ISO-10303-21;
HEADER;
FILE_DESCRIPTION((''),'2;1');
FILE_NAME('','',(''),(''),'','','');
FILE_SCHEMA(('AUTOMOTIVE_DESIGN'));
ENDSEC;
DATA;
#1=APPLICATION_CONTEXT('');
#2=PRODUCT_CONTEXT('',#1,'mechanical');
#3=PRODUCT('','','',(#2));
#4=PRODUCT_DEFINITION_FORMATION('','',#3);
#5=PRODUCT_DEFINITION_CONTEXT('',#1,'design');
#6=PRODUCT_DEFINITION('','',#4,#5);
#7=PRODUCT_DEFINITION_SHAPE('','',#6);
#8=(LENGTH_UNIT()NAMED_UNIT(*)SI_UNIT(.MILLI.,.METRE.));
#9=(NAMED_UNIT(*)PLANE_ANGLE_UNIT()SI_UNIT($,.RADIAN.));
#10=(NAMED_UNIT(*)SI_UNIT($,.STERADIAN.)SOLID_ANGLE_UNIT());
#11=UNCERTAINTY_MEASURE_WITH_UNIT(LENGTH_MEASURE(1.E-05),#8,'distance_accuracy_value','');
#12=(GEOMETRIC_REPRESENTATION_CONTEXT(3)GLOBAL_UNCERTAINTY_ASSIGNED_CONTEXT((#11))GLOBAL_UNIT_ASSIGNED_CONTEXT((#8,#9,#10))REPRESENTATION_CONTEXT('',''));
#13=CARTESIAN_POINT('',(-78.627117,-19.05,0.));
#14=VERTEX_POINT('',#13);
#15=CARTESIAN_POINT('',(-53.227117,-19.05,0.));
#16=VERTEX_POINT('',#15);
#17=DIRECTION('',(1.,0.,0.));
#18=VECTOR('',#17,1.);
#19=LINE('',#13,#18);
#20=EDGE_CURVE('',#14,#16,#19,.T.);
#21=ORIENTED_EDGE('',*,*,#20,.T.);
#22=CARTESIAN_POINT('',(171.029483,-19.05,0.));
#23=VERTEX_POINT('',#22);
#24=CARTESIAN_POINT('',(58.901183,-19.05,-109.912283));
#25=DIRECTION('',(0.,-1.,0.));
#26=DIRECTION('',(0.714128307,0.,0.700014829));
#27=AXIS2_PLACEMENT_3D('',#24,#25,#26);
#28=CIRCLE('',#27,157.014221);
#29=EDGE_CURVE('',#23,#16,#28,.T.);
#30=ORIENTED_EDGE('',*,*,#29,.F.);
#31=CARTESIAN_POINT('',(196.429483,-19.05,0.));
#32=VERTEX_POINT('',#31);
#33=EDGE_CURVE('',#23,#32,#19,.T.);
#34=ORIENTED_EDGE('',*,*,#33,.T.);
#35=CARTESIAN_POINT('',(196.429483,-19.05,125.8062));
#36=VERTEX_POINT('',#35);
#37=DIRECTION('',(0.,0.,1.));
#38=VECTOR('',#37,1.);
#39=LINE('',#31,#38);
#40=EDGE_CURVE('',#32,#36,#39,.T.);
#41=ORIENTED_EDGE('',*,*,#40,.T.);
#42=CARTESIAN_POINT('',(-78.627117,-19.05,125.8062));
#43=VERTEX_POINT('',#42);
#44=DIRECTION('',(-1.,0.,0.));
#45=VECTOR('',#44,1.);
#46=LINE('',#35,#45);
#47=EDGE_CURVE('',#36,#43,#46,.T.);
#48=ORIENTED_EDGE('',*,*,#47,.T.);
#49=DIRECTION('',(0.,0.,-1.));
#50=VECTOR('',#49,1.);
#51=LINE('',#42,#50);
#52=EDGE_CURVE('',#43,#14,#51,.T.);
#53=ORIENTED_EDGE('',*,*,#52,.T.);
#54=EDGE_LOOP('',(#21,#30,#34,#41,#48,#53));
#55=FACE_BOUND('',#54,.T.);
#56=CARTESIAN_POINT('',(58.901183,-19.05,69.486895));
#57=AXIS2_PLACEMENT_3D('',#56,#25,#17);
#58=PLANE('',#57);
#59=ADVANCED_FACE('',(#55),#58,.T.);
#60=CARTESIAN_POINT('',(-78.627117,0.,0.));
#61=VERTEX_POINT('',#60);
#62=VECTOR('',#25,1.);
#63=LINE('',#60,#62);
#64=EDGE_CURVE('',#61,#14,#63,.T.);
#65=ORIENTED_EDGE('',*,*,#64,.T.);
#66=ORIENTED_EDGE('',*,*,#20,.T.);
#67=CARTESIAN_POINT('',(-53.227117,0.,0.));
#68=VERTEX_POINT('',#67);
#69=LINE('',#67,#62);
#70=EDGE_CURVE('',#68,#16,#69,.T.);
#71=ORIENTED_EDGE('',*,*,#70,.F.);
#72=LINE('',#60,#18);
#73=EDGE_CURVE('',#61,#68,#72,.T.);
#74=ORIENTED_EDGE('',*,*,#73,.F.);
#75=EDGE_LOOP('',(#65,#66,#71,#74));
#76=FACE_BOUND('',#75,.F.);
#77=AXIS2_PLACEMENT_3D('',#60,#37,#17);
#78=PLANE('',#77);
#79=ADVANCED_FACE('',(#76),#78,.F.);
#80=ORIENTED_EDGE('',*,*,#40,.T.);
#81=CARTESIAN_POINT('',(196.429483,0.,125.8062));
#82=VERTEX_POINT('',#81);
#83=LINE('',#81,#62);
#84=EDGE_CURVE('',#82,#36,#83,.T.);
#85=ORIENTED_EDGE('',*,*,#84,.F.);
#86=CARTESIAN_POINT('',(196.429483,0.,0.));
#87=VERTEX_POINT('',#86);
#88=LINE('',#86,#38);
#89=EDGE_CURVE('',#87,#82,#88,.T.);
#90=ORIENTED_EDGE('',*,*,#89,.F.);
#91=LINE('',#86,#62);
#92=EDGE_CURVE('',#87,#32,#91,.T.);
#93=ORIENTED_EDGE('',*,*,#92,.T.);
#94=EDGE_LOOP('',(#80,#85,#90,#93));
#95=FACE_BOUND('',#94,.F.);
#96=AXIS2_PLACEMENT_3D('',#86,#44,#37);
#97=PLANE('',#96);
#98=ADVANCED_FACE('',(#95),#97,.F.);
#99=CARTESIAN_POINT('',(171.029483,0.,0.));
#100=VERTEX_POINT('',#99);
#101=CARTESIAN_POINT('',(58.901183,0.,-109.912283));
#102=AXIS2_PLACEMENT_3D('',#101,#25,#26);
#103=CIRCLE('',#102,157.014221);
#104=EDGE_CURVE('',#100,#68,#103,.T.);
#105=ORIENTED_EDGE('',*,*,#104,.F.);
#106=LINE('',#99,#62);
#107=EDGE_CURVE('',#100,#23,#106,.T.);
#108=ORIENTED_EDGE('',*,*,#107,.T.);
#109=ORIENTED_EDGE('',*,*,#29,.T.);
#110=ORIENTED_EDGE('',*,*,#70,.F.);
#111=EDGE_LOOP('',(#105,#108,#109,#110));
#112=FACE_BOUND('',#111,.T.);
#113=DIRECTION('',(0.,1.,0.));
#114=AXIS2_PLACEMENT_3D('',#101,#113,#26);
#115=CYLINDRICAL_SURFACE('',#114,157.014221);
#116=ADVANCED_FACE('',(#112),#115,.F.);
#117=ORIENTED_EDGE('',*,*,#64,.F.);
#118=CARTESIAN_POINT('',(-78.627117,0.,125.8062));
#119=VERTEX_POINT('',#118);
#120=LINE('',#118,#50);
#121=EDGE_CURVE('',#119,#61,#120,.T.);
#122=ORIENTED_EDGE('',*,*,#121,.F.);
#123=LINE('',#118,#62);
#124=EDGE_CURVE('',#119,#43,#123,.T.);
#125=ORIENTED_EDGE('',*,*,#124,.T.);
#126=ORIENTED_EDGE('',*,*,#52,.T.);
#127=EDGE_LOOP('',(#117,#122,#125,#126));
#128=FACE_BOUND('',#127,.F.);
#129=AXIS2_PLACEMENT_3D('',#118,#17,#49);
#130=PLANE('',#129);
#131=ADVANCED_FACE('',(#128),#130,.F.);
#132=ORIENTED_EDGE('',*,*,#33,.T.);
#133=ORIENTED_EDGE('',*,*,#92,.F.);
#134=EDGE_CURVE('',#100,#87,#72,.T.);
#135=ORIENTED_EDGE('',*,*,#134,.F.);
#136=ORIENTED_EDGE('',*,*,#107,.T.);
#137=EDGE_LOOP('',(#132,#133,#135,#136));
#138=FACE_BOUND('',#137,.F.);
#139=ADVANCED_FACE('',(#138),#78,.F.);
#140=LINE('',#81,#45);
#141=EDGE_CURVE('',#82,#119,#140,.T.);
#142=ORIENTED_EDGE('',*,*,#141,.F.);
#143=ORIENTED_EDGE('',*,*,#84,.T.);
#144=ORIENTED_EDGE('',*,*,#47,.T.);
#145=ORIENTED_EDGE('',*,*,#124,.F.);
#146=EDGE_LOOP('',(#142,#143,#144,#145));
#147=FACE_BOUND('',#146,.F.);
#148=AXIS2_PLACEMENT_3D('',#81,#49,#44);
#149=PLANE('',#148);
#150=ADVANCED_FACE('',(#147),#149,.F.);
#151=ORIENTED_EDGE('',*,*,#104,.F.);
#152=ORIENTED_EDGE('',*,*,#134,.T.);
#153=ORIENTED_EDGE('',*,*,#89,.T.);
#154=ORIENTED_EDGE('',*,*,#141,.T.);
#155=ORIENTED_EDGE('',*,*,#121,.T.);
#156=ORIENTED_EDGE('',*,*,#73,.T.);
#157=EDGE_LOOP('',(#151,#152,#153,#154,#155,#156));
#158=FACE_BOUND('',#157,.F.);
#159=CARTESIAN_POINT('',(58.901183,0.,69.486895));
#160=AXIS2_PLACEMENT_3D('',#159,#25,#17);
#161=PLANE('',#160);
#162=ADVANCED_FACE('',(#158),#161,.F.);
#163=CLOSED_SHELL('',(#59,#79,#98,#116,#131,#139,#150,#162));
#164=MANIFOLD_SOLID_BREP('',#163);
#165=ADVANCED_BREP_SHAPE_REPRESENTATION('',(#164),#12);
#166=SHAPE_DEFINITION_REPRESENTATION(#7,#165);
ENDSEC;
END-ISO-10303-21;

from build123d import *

# Parameters (mm, degrees)
F1_DEPTH = 19.05
F2_DEPTH = 19.05


with BuildPart() as f1:
    # F0 (on Front) → F1 (new body)
    with BuildSketch(Plane.XZ):
        with BuildLine():
            Line((171.029483, 0), (196.429483, 0))
            Line((196.429483, 0), (196.429483, 125.8062))
            Line((196.429483, 125.8062), (171.029483, 125.8062))
            Line((171.029483, 125.8062), (-53.227117, 125.8062))
            Line((-53.227117, 125.8062), (-78.627117, 125.8062))
            Line((-78.627117, 125.8062), (-78.627117, 0))
            Line((-78.627117, 0), (-53.227117, 0))
            ThreePointArc((-53.227117, 0), (58.901183, 47.101938), (171.029483, 0))
        make_face()
        with BuildLine():
            Line((69.962883, 0), (171.029483, 0))
            ThreePointArc((171.029483, 0), (58.901183, 47.101938), (-53.227117, 0))
            Line((-53.227117, 0), (69.962883, 0))
        make_face()
    extrude(amount=F1_DEPTH)

    # F0 (on Front) → F2 (cut)
    with BuildSketch(Plane.XZ):
        with BuildLine():
            Line((69.962883, 0), (171.029483, 0))
            ThreePointArc((171.029483, 0), (58.901183, 47.101938), (-53.227117, 0))
            Line((-53.227117, 0), (69.962883, 0))
        make_face()
    extrude(amount=F2_DEPTH, mode=Mode.SUBTRACT)


solid = f1.part
